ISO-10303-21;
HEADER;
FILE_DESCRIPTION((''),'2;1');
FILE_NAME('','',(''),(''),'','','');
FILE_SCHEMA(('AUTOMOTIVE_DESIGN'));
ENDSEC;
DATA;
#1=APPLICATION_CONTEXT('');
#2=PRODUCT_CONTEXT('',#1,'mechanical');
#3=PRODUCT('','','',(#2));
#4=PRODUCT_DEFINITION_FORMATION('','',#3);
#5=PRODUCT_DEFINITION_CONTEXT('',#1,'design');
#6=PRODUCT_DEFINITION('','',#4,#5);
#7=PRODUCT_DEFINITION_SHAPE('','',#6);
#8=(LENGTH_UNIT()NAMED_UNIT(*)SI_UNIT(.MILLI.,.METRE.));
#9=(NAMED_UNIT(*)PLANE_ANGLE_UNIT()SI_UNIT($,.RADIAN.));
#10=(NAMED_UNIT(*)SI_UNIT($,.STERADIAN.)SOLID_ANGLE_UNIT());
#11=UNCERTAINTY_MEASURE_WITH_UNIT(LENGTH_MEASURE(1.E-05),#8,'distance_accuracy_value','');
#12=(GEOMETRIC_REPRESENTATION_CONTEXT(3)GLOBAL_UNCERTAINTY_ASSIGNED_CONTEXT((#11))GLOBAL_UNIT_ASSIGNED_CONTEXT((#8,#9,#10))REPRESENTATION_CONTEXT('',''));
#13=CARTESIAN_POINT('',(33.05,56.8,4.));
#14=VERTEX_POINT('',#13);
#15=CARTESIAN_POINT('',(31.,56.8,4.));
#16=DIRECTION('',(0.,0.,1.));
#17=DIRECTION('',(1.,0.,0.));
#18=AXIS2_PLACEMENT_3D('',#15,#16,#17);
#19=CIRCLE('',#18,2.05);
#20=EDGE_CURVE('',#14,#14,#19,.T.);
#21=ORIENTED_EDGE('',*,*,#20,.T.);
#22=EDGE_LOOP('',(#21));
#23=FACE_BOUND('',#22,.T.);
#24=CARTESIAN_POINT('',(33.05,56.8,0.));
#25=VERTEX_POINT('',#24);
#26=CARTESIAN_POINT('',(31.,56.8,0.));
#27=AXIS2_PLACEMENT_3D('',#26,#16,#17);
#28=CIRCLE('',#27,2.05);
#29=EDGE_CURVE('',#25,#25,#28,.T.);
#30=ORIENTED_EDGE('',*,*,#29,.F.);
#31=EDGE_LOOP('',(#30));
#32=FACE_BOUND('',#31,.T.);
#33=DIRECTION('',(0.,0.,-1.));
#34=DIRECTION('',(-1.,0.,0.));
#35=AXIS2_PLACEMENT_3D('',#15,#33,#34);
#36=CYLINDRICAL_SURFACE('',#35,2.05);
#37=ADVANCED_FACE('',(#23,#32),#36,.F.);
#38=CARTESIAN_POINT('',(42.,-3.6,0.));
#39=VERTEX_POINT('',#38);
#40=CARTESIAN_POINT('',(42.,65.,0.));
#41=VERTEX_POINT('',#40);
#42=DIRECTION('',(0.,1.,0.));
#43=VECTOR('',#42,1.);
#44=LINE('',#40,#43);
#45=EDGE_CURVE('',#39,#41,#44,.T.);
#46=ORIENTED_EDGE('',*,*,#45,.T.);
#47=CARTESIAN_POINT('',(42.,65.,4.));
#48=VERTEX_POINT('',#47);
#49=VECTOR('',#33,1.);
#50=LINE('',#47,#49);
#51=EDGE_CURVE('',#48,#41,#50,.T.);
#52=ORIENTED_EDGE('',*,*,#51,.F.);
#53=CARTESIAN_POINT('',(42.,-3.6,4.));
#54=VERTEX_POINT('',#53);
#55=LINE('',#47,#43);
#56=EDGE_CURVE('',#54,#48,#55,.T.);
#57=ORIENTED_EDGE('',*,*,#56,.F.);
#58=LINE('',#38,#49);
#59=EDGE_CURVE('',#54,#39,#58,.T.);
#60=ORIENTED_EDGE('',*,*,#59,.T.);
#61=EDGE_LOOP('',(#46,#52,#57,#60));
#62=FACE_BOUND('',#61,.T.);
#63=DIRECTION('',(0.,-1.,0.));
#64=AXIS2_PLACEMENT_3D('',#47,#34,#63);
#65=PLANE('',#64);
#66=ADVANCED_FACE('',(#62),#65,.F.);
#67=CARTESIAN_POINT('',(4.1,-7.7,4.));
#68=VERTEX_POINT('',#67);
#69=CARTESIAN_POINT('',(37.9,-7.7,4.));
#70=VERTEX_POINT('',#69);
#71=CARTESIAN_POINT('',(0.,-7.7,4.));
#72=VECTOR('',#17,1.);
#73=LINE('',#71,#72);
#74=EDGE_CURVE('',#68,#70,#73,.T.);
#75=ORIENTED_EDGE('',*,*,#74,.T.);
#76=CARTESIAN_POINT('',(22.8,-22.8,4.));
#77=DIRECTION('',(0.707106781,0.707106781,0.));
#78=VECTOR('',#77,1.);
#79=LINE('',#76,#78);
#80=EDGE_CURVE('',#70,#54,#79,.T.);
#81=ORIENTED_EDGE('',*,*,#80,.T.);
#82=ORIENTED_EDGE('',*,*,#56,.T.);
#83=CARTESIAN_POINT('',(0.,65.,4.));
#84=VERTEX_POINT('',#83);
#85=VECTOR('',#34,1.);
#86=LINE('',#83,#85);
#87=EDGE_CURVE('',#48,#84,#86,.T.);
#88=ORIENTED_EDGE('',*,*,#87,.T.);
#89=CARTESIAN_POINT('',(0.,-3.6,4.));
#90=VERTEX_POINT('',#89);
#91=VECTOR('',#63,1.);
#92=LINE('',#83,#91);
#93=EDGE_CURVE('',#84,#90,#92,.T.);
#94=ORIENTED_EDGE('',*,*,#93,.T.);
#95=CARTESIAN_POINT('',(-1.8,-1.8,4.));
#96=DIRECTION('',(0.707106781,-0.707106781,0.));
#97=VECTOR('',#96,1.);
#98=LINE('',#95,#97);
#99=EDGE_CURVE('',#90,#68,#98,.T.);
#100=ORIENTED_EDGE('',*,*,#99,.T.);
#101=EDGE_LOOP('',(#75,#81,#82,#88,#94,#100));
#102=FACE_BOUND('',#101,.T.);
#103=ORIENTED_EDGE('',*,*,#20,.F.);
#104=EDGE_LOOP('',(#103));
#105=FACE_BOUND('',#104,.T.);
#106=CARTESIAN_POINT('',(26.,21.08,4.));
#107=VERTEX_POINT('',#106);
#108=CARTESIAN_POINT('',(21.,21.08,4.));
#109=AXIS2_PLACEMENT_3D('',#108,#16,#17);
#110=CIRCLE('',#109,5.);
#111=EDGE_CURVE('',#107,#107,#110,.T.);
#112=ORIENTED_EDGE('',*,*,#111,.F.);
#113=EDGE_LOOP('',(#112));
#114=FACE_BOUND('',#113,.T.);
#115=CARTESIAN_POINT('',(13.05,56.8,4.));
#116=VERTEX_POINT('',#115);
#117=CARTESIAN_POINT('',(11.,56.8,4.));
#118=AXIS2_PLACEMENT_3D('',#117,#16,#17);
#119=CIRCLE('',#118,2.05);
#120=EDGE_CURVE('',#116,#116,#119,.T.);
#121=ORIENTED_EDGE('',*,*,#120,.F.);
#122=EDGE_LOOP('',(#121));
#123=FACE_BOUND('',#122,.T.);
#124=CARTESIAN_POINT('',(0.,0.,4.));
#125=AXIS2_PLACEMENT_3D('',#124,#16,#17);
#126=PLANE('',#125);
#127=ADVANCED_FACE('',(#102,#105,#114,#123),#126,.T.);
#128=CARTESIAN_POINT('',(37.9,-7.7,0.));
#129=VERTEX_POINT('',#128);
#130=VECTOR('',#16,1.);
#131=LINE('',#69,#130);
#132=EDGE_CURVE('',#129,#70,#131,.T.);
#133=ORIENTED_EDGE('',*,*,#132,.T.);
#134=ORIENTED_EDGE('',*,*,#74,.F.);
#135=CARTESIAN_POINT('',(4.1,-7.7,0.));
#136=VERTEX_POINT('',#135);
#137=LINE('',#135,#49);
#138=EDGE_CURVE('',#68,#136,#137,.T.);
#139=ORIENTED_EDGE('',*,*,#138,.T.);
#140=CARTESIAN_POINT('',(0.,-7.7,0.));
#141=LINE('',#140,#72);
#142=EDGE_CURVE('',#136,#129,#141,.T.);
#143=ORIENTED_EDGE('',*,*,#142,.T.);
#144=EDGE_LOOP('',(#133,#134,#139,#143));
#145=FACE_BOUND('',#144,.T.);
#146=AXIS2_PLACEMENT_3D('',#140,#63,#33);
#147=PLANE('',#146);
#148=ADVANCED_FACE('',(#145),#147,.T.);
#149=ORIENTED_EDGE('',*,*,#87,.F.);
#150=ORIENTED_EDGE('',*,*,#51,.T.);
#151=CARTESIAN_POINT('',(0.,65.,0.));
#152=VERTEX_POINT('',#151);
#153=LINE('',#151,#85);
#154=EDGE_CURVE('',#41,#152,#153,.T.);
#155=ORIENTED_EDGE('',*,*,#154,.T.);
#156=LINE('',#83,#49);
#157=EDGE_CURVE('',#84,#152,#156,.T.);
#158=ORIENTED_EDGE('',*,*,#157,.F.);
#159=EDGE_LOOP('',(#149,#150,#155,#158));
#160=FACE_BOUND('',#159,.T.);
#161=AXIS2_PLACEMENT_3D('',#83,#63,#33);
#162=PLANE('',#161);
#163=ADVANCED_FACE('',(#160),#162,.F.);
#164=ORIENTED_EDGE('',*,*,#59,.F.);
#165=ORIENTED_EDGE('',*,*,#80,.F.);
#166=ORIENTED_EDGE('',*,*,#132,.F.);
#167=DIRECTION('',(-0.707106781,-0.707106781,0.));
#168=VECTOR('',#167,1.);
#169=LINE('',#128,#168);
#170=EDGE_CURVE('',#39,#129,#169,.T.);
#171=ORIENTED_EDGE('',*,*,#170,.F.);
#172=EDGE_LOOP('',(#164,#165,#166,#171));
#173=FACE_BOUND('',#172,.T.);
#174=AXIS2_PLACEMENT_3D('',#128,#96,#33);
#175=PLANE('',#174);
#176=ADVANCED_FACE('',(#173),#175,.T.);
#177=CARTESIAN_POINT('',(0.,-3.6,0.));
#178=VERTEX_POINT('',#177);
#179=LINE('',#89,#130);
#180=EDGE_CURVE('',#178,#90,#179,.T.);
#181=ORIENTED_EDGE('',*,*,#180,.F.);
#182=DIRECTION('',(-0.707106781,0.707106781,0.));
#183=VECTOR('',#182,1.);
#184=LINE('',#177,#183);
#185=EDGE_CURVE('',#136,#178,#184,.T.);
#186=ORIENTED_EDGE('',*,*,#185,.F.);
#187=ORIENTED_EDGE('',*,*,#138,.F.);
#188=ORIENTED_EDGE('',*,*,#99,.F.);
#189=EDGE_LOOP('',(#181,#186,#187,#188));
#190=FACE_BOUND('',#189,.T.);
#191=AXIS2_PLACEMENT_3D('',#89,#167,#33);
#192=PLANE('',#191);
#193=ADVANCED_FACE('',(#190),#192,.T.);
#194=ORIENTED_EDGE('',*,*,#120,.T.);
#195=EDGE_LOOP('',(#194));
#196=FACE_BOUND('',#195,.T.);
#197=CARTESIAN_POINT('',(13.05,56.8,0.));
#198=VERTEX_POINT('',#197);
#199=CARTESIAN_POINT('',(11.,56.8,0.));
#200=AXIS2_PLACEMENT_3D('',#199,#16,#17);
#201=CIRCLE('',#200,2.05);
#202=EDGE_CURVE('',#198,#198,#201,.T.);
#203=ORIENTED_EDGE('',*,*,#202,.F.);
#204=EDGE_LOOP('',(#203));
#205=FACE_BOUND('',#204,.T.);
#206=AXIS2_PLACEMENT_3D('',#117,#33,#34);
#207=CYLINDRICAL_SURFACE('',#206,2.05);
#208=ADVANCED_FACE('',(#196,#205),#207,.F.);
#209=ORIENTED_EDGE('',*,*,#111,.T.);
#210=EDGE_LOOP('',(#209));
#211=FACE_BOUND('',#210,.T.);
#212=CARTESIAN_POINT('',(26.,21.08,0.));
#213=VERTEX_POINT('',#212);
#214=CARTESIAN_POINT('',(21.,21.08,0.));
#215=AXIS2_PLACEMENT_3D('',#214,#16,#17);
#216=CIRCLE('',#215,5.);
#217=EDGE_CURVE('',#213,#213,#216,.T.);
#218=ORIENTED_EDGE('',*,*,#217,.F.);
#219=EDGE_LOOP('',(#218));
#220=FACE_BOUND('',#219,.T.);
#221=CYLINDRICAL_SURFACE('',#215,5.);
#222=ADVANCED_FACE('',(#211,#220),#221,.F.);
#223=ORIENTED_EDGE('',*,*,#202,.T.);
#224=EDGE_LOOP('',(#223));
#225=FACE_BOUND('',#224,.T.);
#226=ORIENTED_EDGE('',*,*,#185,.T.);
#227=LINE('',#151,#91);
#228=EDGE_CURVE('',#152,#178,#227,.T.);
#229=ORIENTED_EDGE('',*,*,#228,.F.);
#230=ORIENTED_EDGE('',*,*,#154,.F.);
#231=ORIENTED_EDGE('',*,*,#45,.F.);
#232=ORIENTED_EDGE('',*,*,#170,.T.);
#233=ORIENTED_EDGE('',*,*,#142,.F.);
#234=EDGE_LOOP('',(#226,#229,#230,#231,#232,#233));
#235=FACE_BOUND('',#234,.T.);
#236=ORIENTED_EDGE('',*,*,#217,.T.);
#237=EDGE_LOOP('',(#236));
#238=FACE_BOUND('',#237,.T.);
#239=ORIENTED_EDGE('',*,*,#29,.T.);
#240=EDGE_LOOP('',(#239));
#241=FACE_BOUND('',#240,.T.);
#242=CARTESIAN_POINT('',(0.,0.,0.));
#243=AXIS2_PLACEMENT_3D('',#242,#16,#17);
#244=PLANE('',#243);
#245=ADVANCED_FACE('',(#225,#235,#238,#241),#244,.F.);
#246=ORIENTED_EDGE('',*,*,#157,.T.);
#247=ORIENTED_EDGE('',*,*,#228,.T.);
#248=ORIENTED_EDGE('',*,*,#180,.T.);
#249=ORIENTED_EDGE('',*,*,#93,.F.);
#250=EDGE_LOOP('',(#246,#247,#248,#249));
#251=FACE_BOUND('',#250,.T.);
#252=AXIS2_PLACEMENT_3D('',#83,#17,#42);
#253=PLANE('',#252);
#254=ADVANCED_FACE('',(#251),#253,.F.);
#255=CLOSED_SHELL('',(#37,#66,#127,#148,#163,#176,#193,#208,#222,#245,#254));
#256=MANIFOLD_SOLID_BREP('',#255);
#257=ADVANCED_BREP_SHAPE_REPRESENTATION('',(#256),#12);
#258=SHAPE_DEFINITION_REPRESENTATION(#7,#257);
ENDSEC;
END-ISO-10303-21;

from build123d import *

# Parameters (mm, degrees)
CROQUIS1_W              = 42
CROQUIS1_H              = 65
CROQUIS1_R              = 2.05
SALIENTE_EXTRUIR1_DEPTH = 4
CROQUIS5_R              = 5
CORTAR_EXTRUIR2_DEPTH   = 5
CROQUIS6_W              = 42
CROQUIS6_H              = 7.7
SALIENTE_EXTRUIR2_DEPTH = 4
CHAFL_N1_SIZE           = 4.1


with BuildPart() as part:
    # Croquis1 → Saliente-Extruir1 (new body)
    with BuildSketch(Plane.XY):
        with Locations((21, 32.5)):
            Rectangle(CROQUIS1_W, CROQUIS1_H)
        with Locations((11, 56.8)):
            Circle(CROQUIS1_R, mode=Mode.SUBTRACT)
        with Locations((31, 56.8)):
            Circle(CROQUIS1_R, mode=Mode.SUBTRACT)
    extrude(amount=SALIENTE_EXTRUIR1_DEPTH)

    # Croquis5 → Cortar-Extruir2 (cut, through all)
    with BuildSketch(Plane.XY.offset(4)):
        with Locations((21, 21.08)):
            Circle(CROQUIS5_R)
    extrude(amount=-CORTAR_EXTRUIR2_DEPTH, mode=Mode.SUBTRACT)

    # Croquis6 → Saliente-Extruir2 (add, through all)
    with BuildSketch(Plane.XY.offset(4)):
        with Locations((21, -3.85)):
            Rectangle(CROQUIS6_W, CROQUIS6_H)
    extrude(amount=-SALIENTE_EXTRUIR2_DEPTH)

    # Chaflán1
    chafl_n1_edges = [part.edges().sort_by_distance(p)[0] for p in [
        (0, -7.7, 2),
        (42, -7.7, 2),
    ]]
    chamfer(chafl_n1_edges, length=CHAFL_N1_SIZE)


solid = part.part
